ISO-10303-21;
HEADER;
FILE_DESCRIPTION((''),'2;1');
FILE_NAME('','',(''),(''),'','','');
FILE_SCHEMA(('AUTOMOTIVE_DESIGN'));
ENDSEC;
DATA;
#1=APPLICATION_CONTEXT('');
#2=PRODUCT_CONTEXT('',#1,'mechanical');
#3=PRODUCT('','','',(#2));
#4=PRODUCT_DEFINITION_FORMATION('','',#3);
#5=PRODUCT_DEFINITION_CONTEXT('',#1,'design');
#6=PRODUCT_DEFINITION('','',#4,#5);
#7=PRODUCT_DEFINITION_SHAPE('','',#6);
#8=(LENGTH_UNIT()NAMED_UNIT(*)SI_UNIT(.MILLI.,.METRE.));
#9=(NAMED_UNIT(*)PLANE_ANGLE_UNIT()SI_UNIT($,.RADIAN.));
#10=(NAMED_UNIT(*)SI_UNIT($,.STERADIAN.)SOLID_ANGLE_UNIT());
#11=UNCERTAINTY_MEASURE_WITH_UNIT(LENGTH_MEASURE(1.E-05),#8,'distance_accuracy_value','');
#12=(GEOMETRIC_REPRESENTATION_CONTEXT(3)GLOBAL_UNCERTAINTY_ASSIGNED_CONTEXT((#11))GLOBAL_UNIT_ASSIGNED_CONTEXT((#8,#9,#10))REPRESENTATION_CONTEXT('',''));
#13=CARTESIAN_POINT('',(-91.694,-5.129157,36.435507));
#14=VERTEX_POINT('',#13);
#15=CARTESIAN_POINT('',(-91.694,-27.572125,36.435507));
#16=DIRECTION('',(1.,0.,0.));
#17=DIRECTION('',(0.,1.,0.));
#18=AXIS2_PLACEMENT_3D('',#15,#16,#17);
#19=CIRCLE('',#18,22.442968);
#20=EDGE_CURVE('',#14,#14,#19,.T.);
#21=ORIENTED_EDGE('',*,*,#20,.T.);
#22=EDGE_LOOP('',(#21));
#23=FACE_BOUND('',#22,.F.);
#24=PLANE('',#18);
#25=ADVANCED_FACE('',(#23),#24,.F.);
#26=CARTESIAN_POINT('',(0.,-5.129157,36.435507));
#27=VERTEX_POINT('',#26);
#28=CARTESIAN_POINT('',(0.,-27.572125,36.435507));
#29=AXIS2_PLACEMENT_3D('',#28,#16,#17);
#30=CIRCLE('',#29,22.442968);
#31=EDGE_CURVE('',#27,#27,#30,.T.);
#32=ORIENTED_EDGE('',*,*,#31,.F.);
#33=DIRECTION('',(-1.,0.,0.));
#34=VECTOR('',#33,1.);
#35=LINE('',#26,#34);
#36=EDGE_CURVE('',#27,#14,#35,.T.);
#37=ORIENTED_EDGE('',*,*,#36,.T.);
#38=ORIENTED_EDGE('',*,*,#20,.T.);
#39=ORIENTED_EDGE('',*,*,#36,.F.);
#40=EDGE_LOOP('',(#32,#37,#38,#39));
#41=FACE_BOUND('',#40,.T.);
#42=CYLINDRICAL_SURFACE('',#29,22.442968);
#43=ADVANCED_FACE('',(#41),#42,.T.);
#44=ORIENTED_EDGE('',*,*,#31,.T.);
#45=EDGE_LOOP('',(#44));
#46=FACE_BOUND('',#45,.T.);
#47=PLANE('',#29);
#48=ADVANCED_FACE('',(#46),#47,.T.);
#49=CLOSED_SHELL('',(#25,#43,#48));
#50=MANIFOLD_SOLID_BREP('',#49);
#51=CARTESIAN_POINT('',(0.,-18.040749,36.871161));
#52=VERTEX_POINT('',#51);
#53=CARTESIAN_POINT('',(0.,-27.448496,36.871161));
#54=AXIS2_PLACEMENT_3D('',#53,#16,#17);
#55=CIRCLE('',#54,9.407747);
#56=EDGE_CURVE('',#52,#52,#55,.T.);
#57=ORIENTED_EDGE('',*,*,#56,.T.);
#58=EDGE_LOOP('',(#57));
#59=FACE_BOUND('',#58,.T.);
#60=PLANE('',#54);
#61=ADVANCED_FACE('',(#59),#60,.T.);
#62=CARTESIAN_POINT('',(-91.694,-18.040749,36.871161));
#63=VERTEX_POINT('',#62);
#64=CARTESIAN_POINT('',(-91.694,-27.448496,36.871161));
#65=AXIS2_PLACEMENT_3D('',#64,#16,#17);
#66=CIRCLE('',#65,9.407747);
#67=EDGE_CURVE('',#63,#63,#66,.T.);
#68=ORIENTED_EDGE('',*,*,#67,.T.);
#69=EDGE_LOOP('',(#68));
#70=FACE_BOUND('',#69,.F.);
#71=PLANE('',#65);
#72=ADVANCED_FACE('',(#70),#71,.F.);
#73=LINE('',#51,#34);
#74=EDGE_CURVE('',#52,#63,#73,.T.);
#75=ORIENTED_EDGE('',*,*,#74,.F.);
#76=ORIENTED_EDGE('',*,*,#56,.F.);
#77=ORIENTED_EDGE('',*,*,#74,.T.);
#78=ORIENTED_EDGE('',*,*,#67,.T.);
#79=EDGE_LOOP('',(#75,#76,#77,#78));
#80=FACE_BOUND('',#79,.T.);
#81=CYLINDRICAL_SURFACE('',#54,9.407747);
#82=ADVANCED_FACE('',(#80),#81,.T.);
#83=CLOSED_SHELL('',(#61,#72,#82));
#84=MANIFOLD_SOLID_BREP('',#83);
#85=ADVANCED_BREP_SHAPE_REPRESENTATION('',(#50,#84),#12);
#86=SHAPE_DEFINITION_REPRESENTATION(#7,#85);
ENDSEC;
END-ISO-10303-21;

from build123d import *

# Parameters (mm, degrees)
F1_R     = 9.4077470098
F2_DEPTH = 91.694
F0_R     = 22.4429680304


with BuildPart() as f2:
    # F1 (on face) → F2 (new body)
    with BuildSketch(Plane.YZ):
        with Locations((-27.44849585, 36.8711613119)):
            Circle(F1_R)
    extrude(amount=-F2_DEPTH)


with BuildPart() as f2b:
    # F0 (on Right) → F2, piece 2 (new body)
    with BuildSketch(Plane.YZ):
        with Locations((-27.5721251965, 36.4355072379)):
            Circle(F0_R)
    extrude(amount=-F2_DEPTH)


solid = Compound([f2.part, f2b.part])
